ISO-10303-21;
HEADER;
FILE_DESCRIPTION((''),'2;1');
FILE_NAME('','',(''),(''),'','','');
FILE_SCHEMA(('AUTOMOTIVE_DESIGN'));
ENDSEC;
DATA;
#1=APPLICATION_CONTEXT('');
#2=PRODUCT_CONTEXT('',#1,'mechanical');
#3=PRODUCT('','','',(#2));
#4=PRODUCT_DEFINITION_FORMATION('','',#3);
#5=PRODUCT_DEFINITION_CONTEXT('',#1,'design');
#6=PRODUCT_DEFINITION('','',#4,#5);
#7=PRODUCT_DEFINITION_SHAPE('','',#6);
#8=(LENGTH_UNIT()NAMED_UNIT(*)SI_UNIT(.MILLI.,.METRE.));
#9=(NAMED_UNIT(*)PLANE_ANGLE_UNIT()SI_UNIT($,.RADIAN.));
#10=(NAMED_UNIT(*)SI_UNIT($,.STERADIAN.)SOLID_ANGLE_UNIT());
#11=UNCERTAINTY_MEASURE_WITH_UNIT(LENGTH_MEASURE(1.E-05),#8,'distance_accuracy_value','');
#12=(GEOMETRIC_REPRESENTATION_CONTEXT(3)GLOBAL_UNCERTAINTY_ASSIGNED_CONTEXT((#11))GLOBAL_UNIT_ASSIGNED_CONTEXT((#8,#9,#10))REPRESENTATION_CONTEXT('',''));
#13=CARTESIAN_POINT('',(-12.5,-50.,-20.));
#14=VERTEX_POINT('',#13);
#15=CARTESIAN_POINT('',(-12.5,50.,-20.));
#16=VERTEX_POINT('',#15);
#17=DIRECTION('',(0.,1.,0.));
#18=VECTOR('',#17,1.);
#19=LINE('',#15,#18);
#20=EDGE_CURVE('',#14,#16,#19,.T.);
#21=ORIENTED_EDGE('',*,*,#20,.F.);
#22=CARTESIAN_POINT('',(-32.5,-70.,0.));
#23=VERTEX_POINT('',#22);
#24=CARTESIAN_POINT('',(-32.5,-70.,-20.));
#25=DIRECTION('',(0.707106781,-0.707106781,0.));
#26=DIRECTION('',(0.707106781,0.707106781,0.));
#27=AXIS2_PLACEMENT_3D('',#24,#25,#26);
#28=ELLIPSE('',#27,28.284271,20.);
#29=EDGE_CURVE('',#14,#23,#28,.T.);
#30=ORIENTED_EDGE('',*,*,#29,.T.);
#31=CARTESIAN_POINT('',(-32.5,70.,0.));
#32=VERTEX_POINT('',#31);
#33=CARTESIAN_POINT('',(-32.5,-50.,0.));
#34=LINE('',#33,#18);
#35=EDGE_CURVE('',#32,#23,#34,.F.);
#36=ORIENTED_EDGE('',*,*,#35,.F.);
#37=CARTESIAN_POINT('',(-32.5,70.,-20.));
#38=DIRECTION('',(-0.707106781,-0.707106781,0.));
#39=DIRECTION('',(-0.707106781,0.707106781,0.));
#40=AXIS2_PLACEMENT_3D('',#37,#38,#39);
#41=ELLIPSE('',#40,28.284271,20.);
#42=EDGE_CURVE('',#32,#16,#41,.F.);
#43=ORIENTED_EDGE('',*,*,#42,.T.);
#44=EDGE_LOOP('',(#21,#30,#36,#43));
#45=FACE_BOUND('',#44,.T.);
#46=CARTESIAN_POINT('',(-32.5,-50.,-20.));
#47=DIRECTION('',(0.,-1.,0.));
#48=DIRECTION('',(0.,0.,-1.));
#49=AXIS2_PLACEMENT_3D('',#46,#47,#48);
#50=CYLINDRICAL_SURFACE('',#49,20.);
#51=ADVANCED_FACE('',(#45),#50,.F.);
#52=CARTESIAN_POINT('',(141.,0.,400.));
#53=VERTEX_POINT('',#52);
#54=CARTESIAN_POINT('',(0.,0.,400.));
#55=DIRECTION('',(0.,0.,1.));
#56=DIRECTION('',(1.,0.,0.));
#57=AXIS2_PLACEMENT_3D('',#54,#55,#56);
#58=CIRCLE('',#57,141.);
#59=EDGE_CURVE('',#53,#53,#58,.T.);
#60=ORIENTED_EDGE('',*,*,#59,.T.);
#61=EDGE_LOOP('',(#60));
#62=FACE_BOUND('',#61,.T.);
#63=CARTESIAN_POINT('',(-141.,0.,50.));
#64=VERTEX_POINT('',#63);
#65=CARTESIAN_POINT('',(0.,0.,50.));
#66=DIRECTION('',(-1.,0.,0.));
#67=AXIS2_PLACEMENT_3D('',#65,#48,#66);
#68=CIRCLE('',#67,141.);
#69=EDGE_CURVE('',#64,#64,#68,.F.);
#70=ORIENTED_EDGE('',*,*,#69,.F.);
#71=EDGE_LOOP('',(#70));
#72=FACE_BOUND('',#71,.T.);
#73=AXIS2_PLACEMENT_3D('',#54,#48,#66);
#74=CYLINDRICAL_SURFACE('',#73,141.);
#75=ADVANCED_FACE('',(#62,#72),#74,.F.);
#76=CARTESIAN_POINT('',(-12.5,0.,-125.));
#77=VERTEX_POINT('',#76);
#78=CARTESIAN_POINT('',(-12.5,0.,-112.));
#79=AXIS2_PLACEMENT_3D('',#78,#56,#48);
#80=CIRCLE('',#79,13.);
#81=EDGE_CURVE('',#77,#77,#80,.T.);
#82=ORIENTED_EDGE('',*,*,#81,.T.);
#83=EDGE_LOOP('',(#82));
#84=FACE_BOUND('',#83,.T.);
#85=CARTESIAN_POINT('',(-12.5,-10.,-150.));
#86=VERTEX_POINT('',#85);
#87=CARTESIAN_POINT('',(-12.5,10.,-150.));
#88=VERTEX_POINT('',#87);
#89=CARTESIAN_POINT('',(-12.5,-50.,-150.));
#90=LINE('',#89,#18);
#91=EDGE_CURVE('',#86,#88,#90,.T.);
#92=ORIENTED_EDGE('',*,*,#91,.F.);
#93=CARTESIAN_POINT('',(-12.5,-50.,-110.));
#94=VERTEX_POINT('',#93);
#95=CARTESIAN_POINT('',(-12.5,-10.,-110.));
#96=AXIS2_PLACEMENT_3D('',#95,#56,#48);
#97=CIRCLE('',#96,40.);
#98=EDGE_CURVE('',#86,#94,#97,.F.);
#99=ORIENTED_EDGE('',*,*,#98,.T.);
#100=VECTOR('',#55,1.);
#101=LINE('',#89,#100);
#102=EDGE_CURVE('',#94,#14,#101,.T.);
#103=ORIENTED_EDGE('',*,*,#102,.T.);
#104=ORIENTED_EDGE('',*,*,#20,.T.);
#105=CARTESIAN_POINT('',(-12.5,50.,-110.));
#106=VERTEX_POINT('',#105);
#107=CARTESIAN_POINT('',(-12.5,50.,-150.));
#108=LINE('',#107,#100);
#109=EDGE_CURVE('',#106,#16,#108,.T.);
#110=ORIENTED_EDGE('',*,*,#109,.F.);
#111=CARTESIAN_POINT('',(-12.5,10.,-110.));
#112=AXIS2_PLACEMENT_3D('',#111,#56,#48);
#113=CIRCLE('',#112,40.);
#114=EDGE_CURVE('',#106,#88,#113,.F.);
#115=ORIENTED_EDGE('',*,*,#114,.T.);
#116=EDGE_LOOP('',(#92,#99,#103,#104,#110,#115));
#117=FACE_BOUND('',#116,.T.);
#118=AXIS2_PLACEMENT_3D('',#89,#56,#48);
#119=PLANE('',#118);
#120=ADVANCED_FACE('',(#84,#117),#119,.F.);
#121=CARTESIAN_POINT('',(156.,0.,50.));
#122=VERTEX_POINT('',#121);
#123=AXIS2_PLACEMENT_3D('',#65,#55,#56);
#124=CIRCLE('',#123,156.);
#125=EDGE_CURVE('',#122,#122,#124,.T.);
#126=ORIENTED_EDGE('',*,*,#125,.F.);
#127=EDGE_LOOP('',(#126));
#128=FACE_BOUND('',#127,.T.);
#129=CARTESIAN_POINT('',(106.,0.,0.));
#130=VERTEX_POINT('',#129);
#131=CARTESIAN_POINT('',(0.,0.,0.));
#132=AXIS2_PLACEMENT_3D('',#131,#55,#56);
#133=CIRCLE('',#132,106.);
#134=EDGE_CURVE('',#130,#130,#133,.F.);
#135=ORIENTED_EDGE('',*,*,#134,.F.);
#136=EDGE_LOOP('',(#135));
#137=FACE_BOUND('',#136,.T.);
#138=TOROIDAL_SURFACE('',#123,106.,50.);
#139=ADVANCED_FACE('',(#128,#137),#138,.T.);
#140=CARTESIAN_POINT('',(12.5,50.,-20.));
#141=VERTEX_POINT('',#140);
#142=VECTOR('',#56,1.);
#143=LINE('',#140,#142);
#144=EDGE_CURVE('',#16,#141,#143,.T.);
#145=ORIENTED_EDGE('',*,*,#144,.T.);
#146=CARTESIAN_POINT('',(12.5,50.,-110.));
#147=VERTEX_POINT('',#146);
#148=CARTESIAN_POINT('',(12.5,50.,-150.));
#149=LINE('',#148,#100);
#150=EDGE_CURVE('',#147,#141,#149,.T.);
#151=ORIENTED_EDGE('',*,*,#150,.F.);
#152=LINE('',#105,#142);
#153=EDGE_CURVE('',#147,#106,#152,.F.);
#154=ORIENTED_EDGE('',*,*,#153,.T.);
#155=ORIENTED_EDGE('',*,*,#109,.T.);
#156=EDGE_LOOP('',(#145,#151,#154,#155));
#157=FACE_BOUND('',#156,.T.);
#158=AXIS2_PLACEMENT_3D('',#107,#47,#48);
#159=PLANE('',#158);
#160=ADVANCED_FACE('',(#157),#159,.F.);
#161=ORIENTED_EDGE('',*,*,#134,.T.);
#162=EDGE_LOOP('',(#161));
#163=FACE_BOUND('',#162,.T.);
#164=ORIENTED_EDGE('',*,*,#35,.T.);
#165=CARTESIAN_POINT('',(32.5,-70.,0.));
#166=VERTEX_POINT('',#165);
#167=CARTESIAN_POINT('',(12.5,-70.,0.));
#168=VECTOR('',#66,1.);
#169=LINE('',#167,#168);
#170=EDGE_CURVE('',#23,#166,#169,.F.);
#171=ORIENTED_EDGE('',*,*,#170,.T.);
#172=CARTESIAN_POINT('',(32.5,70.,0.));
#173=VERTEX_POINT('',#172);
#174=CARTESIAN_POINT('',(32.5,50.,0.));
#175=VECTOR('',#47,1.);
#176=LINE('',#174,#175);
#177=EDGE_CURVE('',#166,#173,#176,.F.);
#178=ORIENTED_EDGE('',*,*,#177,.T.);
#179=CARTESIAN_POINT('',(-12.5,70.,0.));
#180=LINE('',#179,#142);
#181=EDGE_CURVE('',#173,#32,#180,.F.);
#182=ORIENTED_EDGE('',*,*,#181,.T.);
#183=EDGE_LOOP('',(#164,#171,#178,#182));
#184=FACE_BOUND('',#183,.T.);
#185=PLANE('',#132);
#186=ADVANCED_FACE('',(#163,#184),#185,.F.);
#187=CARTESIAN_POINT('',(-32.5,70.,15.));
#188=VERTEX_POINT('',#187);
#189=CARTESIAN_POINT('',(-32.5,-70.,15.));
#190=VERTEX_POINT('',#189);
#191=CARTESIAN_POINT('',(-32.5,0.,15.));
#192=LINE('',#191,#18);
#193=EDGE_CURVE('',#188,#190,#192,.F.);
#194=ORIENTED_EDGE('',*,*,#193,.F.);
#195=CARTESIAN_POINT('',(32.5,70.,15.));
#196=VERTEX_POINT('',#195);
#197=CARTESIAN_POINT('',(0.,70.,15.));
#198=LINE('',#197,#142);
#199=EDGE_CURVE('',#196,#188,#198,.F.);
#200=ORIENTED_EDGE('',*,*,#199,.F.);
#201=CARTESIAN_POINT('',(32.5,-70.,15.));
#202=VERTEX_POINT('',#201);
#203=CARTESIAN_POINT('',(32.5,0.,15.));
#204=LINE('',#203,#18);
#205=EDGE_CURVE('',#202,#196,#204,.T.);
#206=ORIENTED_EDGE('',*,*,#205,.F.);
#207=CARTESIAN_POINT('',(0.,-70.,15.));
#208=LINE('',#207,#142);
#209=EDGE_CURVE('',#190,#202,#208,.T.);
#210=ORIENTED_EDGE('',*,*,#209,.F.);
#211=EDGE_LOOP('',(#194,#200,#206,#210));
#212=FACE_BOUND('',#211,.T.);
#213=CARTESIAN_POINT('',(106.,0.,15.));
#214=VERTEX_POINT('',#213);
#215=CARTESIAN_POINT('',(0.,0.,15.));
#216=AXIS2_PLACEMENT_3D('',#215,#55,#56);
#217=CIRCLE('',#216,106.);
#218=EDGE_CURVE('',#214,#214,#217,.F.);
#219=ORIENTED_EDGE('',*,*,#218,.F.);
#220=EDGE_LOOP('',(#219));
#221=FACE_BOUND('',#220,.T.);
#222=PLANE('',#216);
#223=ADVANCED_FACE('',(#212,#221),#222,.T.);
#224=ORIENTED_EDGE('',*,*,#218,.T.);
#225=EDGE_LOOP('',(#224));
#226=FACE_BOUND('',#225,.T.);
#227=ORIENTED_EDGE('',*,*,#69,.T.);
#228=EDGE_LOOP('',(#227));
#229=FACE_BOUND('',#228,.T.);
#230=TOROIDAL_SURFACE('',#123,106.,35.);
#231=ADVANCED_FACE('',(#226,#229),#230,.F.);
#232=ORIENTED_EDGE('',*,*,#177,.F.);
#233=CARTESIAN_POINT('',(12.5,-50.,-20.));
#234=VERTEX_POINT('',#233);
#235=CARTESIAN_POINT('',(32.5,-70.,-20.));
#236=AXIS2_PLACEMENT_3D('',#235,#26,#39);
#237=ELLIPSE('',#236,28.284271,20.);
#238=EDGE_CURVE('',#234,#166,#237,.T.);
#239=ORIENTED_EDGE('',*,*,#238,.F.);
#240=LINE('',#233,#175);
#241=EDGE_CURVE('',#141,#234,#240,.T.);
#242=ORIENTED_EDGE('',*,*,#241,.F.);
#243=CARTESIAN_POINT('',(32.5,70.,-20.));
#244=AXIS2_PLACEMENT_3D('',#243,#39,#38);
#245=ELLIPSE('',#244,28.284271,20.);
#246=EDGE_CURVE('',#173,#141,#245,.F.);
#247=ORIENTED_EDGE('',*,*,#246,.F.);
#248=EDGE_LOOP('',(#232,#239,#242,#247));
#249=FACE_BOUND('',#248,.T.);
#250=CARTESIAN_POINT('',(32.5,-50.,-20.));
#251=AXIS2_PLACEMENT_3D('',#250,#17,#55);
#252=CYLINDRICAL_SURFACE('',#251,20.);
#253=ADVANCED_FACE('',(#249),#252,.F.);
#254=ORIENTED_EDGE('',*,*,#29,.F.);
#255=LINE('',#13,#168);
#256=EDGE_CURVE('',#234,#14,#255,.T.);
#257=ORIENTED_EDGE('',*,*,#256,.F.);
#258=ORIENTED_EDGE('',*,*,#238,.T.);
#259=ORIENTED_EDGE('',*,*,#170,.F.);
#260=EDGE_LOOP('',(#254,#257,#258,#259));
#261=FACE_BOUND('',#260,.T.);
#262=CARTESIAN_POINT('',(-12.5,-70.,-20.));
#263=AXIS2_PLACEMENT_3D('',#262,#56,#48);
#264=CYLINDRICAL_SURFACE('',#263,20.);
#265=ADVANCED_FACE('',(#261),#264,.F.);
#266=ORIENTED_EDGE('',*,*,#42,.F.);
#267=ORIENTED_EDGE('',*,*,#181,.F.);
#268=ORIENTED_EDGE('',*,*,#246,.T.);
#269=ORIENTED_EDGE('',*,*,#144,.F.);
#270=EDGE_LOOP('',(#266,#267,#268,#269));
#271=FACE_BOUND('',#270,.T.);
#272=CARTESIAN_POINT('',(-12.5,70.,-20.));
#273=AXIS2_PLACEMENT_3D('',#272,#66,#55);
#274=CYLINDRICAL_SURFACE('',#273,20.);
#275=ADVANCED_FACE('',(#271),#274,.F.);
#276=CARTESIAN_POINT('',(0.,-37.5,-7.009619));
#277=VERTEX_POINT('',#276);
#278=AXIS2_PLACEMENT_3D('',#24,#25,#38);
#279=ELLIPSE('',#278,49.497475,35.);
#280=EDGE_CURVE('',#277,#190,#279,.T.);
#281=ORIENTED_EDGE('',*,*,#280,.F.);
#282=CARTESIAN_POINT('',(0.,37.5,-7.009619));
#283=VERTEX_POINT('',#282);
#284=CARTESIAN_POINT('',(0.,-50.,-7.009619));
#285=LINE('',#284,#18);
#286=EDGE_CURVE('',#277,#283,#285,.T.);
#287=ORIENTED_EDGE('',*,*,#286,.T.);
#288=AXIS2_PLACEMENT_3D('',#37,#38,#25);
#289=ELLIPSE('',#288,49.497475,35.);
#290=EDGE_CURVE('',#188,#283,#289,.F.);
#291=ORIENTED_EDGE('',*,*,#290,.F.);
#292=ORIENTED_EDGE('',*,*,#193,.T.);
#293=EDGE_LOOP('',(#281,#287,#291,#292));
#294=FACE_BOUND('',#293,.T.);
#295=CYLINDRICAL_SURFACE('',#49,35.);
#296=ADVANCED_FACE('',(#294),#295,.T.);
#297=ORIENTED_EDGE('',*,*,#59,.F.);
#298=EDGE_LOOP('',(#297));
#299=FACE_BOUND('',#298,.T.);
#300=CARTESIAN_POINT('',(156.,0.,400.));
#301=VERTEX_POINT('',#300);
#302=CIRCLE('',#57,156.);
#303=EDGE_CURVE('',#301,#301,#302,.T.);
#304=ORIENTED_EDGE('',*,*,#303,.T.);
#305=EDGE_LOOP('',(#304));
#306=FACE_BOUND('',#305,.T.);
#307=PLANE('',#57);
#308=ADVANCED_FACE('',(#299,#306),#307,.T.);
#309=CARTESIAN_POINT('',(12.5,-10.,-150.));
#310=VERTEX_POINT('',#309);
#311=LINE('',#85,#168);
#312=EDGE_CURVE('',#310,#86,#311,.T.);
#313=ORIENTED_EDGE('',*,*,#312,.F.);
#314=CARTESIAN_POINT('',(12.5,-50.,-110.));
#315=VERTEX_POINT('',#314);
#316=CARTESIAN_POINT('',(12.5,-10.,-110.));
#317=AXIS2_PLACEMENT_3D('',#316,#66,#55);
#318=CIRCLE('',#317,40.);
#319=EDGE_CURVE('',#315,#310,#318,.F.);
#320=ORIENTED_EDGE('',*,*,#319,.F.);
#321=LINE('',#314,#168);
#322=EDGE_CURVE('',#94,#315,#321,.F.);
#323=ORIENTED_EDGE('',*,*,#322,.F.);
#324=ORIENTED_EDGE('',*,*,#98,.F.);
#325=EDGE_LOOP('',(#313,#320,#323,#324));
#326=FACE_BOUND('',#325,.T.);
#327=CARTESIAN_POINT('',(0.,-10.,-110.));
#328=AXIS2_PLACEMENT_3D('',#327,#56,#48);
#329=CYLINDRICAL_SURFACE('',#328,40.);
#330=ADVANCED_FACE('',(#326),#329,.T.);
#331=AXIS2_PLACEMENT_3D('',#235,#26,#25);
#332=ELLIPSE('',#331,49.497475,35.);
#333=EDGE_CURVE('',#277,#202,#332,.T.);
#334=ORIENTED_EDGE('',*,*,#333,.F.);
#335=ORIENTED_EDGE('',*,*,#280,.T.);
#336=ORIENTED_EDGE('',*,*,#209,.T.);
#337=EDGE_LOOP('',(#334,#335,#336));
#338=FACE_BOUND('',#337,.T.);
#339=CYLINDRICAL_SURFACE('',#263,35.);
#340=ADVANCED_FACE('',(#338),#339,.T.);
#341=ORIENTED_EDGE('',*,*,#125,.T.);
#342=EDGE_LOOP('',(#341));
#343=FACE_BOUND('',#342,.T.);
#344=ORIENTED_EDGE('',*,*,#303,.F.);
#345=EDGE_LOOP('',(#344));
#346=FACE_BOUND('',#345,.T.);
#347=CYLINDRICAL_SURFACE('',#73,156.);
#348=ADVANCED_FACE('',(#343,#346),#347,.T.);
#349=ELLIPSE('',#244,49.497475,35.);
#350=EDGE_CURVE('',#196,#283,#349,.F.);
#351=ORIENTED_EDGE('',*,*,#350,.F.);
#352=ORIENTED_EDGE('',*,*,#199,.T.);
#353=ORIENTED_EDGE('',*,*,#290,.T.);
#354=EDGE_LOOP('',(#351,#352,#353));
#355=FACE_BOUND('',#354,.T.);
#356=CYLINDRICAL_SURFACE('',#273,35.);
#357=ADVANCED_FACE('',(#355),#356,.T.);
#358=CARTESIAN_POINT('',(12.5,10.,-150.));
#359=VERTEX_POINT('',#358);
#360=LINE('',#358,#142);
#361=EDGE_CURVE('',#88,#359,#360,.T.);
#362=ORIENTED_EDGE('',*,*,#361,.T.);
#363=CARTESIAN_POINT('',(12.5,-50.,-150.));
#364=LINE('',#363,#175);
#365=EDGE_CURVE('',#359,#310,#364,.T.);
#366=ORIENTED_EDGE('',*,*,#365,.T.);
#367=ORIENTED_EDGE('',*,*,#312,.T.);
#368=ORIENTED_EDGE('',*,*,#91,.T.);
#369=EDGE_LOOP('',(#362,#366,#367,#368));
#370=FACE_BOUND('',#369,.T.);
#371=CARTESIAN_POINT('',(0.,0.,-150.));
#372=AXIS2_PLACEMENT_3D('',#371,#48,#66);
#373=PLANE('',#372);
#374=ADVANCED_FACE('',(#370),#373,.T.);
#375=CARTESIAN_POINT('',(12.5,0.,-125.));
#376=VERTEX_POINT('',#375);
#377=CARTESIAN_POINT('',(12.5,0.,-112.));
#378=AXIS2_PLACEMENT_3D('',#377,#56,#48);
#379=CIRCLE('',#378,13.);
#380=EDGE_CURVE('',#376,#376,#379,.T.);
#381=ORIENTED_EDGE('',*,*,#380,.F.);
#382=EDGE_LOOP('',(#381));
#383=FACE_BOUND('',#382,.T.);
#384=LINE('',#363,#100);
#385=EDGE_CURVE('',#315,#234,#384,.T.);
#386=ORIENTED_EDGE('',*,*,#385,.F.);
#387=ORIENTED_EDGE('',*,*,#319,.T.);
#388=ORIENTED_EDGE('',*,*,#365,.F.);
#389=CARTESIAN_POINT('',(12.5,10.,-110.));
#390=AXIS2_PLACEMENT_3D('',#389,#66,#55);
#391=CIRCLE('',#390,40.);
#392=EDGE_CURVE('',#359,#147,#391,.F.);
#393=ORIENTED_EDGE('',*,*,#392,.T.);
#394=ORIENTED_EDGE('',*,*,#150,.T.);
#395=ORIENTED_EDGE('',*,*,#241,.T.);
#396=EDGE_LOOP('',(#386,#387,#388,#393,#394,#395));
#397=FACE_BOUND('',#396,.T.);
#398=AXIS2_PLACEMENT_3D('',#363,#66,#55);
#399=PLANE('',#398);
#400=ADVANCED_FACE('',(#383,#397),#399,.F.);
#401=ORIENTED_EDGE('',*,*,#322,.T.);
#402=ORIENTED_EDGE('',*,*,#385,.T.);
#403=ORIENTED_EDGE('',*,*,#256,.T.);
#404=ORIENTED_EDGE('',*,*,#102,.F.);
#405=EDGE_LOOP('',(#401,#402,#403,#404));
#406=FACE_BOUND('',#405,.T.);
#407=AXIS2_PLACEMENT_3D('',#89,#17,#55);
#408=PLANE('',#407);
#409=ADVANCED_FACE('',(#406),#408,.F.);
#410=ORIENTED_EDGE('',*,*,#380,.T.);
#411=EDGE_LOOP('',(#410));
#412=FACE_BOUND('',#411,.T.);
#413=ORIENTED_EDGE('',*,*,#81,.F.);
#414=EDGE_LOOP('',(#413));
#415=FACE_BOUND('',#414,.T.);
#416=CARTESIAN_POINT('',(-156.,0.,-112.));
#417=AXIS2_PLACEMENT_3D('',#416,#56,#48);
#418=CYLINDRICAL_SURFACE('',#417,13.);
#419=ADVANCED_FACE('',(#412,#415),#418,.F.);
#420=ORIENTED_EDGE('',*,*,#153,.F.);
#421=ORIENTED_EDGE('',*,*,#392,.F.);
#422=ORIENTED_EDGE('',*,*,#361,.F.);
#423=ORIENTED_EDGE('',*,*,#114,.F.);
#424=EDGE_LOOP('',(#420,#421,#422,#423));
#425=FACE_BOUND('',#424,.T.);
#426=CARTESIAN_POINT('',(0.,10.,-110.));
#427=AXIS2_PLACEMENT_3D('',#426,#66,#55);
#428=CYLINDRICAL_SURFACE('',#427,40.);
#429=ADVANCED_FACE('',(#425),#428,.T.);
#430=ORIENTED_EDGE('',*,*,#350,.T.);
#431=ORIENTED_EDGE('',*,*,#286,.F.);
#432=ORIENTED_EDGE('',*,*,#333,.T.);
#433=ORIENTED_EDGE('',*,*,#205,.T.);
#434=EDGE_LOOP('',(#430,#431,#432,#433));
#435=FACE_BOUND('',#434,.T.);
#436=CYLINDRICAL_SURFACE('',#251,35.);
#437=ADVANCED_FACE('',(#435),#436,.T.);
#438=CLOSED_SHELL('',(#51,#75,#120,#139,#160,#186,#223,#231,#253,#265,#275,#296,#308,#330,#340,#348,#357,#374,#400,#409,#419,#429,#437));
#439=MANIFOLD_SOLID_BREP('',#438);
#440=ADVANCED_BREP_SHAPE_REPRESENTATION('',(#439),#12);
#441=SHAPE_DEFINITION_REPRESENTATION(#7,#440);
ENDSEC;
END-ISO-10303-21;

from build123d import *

# Parameters (mm, degrees)
SKETCH1_R           = 156
BOSS_EXTRUDE1_DEPTH = 400
SKETCH2_W           = 25
SKETCH2_H           = 100
BOSS_EXTRUDE2_DEPTH = 150
SKETCH3_R           = 13
CUT_EXTRUDE1_DEPTH  = 462.224728305
FILLET1_R           = 40
FILLET3_R           = 20
FILLET4_R           = 50
SHELL1_T            = -15


with BuildPart() as part:
    # Sketch1 → Boss-Extrude1 (new body)
    with BuildSketch(Plane.XY):
        Circle(SKETCH1_R)
    extrude(amount=BOSS_EXTRUDE1_DEPTH)

    # Sketch2 → Boss-Extrude2 (add)
    with BuildSketch(Plane(origin=(0, 0, 0), x_dir=(-1, 0, 0), z_dir=(0, 0, -1))):
        Rectangle(SKETCH2_W, SKETCH2_H)
    extrude(amount=BOSS_EXTRUDE2_DEPTH)

    # Sketch3 → Cut-Extrude1 (cut, through all)
    with BuildSketch(Plane(origin=(12.5, 0, 0), x_dir=(0, 0, -1), z_dir=(1, 0, 0))):
        with Locations((112, 0)):
            Circle(SKETCH3_R)
    extrude(amount=-CUT_EXTRUDE1_DEPTH, mode=Mode.SUBTRACT)

    # Fillet1
    fillet1_edges = [part.edges().sort_by_distance(p)[0] for p in [
        (0, 50, -150),
        (0, -50, -150),
    ]]
    fillet(fillet1_edges, radius=FILLET1_R)

    # Fillet3
    fillet3_edges = [part.edges().sort_by_distance(p)[0] for p in [
        (12.5, 0, 0),
        (0, -50, 0),
        (-12.5, 0, 0),
        (0, 50, 0),
    ]]
    fillet(fillet3_edges, radius=FILLET3_R)

    # Fillet4
    fillet4_edges = [part.edges().sort_by_distance(p)[0] for p in [
        (-156, 0, 0),
    ]]
    fillet(fillet4_edges, radius=FILLET4_R)

    # Shell1
    shell1_openings = [part.faces().sort_by_distance(p)[0] for p in [
        (0, 0, 400),
    ]]
    offset(amount=SHELL1_T, openings=shell1_openings)


solid = part.part
